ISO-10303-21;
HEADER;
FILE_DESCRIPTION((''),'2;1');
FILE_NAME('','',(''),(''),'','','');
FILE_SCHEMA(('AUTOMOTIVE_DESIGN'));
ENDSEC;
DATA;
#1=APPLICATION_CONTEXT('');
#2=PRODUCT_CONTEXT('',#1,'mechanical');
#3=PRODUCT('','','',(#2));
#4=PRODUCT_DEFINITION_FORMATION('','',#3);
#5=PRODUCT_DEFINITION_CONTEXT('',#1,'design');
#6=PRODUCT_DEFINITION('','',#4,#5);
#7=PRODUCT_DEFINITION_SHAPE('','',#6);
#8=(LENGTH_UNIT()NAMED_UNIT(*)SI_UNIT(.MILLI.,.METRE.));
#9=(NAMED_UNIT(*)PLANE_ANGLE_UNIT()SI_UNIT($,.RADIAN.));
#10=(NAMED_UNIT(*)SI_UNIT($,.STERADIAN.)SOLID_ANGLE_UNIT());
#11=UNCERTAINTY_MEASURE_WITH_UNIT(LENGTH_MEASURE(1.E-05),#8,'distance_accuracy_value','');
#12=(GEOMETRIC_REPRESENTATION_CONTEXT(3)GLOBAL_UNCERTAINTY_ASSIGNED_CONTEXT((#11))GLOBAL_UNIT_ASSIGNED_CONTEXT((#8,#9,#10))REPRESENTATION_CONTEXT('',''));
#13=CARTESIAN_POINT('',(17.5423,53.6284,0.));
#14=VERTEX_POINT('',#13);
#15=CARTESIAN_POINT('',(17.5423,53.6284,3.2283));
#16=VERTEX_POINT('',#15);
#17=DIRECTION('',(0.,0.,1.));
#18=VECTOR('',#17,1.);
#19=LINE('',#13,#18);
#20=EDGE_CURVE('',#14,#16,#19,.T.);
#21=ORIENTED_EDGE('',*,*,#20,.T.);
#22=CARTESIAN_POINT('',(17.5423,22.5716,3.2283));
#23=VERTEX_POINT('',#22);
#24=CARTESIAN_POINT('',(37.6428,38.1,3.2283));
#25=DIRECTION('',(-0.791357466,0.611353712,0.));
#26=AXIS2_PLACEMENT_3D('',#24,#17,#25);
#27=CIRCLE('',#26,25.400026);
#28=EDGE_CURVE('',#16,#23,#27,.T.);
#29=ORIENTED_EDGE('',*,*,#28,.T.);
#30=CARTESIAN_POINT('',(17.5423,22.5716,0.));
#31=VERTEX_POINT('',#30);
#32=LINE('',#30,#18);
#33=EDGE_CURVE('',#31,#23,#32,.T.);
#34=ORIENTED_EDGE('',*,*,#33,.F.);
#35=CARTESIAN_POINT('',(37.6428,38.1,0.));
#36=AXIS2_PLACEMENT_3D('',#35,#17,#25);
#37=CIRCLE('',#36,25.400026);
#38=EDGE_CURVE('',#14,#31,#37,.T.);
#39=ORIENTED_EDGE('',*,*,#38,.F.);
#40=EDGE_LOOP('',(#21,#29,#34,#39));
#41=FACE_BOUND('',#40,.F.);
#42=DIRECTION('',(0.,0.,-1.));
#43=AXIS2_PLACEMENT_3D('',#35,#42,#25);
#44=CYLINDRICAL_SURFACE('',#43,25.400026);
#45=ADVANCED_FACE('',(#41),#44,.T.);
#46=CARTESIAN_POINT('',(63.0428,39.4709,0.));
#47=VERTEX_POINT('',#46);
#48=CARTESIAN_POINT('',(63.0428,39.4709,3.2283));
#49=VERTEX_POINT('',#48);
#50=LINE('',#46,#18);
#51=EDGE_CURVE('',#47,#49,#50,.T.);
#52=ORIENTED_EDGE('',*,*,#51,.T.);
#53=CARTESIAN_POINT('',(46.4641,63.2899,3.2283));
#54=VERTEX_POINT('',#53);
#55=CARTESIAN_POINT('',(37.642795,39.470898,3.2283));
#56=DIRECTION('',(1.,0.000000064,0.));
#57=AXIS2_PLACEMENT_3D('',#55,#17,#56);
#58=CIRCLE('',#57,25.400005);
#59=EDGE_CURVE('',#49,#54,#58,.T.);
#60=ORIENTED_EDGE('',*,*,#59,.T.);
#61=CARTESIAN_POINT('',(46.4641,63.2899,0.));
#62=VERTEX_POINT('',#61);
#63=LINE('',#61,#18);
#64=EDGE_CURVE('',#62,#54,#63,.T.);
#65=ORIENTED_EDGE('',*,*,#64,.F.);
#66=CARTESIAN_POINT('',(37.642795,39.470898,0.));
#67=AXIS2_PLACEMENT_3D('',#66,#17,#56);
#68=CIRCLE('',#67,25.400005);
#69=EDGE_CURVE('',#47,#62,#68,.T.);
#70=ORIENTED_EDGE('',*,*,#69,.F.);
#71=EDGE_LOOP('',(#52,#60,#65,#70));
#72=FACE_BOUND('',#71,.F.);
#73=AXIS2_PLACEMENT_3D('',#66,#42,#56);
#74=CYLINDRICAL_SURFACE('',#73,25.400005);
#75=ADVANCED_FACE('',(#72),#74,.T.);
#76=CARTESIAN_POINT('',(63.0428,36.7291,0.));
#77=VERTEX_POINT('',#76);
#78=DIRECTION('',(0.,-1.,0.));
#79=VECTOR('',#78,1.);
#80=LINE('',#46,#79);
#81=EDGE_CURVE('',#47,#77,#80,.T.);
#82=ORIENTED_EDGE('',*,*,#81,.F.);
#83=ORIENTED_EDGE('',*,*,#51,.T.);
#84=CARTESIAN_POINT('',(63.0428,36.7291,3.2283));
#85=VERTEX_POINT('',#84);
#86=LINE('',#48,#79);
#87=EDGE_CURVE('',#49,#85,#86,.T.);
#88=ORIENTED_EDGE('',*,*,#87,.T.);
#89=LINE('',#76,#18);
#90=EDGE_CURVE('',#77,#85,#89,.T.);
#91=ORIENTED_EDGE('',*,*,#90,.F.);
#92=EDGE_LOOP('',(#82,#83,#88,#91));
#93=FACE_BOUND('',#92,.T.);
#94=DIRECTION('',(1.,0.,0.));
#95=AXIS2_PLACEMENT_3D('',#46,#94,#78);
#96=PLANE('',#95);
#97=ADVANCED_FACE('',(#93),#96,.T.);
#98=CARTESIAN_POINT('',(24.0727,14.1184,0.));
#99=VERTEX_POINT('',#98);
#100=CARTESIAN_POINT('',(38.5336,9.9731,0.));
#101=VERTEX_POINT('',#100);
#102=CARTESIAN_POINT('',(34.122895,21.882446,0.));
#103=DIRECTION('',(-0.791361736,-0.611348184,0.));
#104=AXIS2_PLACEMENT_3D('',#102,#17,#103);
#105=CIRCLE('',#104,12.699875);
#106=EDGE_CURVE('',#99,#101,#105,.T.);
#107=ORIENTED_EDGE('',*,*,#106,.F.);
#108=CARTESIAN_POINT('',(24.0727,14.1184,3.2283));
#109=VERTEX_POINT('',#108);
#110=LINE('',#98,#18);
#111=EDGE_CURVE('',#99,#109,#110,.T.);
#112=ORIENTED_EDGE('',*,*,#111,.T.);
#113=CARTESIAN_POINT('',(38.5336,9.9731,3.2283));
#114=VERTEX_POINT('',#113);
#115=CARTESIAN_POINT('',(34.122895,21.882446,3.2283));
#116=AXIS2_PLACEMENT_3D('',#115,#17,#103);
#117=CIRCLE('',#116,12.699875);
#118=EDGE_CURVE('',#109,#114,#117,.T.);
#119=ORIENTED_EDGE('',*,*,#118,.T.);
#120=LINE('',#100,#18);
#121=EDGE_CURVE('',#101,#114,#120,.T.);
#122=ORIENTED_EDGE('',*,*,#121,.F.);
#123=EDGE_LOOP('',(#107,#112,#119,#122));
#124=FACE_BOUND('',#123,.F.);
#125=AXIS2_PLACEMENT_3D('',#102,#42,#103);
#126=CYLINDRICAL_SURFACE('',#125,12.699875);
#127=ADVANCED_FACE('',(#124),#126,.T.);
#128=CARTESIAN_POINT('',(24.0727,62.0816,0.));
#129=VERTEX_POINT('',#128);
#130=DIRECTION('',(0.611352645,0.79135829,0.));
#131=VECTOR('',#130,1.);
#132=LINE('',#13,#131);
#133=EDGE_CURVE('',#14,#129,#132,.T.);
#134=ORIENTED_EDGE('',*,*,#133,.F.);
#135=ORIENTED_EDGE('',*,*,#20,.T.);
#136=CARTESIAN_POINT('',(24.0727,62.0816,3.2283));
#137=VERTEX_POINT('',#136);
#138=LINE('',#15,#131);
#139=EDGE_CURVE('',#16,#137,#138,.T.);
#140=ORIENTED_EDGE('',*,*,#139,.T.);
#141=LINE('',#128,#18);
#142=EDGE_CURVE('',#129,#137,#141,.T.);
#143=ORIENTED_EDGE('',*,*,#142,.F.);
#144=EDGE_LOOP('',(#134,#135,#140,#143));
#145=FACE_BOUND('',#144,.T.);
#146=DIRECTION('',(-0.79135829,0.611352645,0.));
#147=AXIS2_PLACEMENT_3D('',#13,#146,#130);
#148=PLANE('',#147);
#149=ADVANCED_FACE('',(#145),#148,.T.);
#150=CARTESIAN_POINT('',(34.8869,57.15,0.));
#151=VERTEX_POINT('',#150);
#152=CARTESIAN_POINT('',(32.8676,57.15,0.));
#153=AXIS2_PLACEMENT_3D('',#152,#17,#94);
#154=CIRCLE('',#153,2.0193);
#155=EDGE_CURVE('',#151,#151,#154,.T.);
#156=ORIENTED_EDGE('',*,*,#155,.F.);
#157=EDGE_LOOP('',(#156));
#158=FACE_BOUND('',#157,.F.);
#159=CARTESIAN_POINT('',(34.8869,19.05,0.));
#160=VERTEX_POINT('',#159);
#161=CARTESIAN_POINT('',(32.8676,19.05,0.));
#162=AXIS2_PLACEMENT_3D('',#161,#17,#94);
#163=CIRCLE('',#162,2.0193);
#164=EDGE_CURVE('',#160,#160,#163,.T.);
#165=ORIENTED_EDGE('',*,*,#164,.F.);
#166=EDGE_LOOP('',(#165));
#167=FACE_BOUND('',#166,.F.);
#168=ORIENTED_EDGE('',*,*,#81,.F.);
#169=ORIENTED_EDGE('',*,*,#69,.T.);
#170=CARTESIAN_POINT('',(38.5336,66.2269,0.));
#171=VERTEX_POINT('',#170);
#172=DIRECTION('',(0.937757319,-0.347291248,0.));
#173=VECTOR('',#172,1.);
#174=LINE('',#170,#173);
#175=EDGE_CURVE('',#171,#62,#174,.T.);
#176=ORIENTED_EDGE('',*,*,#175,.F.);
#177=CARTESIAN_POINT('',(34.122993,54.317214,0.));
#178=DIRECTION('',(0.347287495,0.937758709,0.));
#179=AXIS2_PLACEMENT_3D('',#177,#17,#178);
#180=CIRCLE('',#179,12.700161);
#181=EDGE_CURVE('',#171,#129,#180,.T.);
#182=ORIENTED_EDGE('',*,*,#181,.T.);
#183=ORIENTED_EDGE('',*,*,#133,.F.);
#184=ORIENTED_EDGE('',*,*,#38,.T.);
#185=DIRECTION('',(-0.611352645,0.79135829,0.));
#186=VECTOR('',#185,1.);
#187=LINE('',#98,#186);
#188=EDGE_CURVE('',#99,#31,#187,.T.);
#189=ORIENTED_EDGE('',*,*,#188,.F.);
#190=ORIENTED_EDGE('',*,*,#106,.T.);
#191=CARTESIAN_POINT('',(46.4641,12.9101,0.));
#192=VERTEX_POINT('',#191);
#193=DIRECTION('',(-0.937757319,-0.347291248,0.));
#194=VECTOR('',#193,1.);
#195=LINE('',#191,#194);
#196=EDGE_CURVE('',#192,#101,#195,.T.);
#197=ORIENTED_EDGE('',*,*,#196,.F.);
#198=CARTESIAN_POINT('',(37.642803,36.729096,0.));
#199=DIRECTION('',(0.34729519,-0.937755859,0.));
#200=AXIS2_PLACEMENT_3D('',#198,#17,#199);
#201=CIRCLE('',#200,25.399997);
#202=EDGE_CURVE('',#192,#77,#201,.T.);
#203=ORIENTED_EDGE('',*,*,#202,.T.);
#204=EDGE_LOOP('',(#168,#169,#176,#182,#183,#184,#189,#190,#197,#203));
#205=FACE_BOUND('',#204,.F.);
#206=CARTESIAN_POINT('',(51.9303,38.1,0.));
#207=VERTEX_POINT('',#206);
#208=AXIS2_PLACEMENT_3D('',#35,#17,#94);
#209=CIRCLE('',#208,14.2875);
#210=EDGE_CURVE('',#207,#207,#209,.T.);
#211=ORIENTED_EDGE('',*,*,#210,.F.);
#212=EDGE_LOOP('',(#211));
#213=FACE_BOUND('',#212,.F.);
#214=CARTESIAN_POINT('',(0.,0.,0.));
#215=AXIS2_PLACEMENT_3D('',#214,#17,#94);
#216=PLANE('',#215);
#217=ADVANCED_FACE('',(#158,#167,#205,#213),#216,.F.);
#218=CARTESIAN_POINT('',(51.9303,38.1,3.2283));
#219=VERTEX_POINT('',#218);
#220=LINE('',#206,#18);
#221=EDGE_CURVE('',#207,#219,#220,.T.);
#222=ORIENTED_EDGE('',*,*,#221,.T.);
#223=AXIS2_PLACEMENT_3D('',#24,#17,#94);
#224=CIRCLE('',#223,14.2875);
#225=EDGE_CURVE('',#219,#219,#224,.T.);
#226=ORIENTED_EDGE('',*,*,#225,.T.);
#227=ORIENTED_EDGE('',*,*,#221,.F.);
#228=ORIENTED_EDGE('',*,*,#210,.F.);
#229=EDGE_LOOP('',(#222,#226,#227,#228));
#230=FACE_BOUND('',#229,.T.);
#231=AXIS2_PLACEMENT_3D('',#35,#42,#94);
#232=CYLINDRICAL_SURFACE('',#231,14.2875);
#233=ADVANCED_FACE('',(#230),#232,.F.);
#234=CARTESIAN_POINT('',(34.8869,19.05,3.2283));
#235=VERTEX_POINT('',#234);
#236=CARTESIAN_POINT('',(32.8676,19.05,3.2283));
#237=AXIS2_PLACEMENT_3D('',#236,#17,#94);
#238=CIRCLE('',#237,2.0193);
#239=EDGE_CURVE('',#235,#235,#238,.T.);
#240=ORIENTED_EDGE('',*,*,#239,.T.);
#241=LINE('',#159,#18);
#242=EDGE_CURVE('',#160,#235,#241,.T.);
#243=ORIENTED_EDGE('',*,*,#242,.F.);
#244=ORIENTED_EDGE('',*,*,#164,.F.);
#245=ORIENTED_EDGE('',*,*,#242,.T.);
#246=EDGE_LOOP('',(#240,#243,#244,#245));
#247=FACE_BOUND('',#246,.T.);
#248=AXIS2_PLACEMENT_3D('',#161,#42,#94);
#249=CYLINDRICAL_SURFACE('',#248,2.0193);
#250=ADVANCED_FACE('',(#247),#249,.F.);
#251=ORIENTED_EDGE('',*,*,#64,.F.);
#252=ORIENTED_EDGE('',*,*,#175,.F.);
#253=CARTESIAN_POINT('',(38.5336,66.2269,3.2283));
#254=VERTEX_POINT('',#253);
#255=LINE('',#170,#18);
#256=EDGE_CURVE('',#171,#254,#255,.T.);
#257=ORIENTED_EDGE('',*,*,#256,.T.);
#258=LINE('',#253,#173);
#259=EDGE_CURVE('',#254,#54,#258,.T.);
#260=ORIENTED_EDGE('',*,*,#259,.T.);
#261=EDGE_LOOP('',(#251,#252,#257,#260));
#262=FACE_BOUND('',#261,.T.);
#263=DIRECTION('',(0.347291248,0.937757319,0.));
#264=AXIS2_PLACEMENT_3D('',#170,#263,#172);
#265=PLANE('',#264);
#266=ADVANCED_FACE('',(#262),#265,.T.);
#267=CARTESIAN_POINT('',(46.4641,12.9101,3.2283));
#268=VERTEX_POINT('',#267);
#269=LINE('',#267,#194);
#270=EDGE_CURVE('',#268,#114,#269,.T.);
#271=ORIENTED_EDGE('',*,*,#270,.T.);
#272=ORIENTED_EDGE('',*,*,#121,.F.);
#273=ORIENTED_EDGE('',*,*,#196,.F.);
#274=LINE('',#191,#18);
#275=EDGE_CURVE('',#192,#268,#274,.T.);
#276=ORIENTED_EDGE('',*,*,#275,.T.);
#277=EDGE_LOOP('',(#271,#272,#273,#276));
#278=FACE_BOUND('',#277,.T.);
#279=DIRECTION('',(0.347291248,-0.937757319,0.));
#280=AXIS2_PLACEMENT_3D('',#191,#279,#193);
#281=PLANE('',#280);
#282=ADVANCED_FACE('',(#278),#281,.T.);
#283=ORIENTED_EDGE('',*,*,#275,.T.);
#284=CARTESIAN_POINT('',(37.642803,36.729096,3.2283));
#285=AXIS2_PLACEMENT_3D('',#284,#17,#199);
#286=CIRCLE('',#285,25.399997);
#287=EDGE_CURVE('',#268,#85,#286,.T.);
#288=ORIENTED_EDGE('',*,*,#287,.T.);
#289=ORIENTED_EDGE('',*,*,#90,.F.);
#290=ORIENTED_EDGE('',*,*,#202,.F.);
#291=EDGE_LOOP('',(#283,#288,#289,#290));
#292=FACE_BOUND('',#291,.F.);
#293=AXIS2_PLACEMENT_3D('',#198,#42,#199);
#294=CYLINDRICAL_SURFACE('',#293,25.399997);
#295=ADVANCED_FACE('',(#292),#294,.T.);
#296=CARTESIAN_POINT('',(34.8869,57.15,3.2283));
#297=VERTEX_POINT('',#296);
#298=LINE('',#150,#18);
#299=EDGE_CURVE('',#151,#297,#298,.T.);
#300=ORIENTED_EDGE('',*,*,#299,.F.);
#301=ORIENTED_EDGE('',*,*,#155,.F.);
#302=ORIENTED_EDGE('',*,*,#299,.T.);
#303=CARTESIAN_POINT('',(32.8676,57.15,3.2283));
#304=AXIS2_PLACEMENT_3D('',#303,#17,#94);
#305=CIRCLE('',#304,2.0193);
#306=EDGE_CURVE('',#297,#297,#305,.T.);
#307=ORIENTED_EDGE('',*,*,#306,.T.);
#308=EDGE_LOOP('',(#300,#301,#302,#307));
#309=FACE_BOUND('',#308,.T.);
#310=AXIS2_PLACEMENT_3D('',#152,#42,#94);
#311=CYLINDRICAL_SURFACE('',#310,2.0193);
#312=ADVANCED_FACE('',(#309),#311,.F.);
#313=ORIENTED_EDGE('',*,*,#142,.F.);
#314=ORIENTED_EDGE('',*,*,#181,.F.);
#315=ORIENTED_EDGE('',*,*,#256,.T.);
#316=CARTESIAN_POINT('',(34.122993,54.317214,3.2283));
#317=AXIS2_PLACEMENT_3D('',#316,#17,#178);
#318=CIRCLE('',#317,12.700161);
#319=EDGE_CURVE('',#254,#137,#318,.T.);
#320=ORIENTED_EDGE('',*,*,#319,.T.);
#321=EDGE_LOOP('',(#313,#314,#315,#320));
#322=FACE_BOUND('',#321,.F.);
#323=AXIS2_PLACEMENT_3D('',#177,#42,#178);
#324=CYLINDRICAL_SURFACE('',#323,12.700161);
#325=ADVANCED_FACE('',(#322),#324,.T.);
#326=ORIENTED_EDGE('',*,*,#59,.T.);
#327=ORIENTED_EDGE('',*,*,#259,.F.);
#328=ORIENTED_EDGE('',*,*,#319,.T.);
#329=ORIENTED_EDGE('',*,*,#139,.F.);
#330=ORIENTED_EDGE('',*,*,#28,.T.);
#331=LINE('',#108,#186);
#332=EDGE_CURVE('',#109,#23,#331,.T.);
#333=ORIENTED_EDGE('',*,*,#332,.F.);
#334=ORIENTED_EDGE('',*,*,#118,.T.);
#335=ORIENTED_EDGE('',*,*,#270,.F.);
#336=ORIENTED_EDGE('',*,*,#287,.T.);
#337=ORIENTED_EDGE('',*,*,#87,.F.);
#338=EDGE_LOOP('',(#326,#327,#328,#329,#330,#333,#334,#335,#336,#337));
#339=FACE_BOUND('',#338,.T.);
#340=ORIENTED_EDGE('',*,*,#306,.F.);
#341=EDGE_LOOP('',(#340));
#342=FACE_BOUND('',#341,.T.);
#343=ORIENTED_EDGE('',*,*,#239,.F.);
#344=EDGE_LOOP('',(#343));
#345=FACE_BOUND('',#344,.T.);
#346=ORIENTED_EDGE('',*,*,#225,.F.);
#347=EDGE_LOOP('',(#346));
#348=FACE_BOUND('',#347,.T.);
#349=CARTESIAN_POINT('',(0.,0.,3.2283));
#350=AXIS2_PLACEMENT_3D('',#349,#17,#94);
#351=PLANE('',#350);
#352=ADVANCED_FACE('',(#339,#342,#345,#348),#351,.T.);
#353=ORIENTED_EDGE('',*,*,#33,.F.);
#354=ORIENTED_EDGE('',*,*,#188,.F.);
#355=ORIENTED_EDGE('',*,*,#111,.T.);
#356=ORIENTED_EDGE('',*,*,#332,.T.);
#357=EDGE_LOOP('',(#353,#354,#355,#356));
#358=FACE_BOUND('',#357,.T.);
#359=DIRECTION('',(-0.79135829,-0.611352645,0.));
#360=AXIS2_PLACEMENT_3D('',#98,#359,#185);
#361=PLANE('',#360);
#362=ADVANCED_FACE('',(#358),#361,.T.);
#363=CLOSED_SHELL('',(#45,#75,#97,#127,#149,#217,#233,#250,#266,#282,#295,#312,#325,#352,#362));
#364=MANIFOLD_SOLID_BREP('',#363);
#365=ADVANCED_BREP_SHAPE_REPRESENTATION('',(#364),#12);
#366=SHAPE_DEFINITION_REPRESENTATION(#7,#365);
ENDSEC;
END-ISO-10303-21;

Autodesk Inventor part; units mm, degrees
ref_plane "YZ Plane" through (0, 0, 0) normal (1, 0, 0) x (0, 1, 0)
ref_plane "XZ Plane" through (0, 0, 0) normal (0, 1, 0) x (-1, 0, 0)
ref_plane "Work Plane1" through (0, 0, 0) normal (0, 0, 1) x (1, 0, 0)
sketch "Sketch1" plane through (0, 0, 0) normal (0, 0, 1) x (1, 0, 0)
  line L0 (38.5336, 66.2269) -> (46.4641, 63.2899)
  line L1 (63.0428, 39.4709) -> (63.0428, 36.7291)
  line L2 (46.4641, 12.9101) -> (38.5336, 9.9731)
  line L3 (24.0727, 14.1184) -> (17.5423, 22.5716)
  line L4 (17.5423, 53.6284) -> (24.0727, 62.0816)
  circle A0 centre (37.6428, 38.1) radius 14.2875 projected
  circle A1 centre (32.8676, 57.15) radius 2.0193 projected
  circle A2 centre (32.8676, 19.05) radius 2.0193 projected
  line L5 (37.6428, 38.1) -> (32.8676, 57.15) construction
  line L6 (37.6428, 38.1) -> (32.8676, 19.05) construction
  arc A3 (38.5336, 66.2269) -> (24.0727, 62.0816) centre (34.123, 54.3174) ccw
  arc A4 (24.0727, 14.1184) -> (38.5336, 9.9731) centre (34.123, 21.8826) ccw
  arc A5 (17.5423, 53.6284) -> (17.5423, 22.5716) centre (37.6428, 38.1) ccw
  arc A6 (46.4641, 12.9101) -> (63.0428, 36.7291) centre (37.6428, 36.7291) ccw
  arc A7 (63.0428, 39.4709) -> (46.4641, 63.2899) centre (37.6428, 39.4709) ccw
  line L7 (12.2428, 46.8808) -> (12.2428, 25.1015) construction
  point P0 (29.7797, 69.4689)
  point P1 (63.0428, 57.15)
  point P2 (63.0428, 19.05)
  point P3 (29.7797, 6.7311)
  point P4 (5.5461, 38.1)
  point P5 (63.0428, 38.1)
  dimension "d2" = 12.7
  dimension "d3" = 12.7
  dimension "d5" = 25.4
  dimension "d6" = 38.1
  dimension "d7" = 12.7
  dimension "d8" = 25.4
  dimension "d9" = 25.4
ref_plane "Work Plane2" through (21.5824, 22.0396, 3.2283) normal (0, 0, 1) x (0.9852, -0.1712, 0)
extrude "Extrusion1" add sketch "Sketch1" along normal up to surface (3.2283 mm away)
equation "\"d3\" = d2"
equation "\"d9\" = d5"
properties part number "Encoder Mount"
